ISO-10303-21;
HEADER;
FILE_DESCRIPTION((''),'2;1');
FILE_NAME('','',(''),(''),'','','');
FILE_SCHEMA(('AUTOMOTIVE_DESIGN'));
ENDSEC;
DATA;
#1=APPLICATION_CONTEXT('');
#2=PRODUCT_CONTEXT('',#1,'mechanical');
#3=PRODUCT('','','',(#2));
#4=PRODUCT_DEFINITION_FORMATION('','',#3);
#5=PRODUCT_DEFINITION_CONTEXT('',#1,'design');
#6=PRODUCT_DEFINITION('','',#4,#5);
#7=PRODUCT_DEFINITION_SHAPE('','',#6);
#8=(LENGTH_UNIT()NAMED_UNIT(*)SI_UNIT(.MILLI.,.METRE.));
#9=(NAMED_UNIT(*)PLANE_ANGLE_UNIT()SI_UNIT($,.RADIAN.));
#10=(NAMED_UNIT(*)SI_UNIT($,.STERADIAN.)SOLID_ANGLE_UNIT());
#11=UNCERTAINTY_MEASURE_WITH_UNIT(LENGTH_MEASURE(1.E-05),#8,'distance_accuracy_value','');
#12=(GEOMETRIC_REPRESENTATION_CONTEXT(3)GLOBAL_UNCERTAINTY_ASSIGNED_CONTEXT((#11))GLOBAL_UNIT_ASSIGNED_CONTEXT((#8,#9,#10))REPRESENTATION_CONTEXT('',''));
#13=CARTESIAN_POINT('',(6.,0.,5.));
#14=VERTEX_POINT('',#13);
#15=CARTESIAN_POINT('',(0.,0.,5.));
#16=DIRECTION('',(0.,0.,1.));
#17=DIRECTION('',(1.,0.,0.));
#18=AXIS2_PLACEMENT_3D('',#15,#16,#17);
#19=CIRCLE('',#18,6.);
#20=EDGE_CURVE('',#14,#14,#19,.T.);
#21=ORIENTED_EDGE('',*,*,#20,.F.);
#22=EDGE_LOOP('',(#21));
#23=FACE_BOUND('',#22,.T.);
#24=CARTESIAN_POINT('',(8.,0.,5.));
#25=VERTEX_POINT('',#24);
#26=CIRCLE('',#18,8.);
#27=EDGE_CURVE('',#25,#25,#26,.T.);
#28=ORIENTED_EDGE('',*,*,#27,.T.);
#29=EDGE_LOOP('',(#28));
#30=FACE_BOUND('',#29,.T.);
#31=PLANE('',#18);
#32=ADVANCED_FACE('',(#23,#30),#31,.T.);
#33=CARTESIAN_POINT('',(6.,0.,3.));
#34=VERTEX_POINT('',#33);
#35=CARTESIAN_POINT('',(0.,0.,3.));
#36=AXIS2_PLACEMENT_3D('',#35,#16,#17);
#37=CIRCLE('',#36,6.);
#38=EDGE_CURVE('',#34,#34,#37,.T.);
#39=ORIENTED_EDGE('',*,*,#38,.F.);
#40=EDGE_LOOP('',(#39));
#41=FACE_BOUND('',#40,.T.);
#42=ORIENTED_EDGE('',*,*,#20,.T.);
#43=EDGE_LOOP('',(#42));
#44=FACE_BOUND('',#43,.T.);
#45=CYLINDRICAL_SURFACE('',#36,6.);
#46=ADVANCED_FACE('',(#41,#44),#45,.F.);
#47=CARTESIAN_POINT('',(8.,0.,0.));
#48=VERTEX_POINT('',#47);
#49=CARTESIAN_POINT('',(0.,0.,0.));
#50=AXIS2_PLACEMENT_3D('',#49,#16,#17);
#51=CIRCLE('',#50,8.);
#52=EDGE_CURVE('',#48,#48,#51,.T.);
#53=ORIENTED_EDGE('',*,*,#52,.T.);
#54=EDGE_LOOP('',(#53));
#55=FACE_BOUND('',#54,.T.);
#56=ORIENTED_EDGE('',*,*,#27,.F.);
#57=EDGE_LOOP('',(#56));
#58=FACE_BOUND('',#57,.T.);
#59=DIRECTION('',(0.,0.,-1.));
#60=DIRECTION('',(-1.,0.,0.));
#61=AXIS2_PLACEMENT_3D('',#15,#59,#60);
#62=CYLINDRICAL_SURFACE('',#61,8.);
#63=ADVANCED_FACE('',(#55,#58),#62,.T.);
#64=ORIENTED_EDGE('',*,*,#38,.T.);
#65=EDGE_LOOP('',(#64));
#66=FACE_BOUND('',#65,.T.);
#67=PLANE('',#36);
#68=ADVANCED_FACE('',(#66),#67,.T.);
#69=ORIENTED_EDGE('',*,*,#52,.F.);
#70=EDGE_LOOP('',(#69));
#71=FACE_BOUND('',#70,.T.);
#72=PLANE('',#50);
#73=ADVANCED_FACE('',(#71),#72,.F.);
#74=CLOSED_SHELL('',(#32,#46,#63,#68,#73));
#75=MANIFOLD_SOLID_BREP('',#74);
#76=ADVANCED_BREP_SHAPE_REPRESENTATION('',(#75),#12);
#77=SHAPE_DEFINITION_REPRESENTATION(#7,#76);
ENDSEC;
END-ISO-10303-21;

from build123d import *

# Parameters (mm, degrees)
SKETCH_1_R          = 8
EXTRUDE_1_DEPTH     = 5
SKETCH_2_R          = 6
CUT_EXTRUDE_1_DEPTH = 2


with BuildPart() as part:
    # Эскиз1 → Бобышка-Вытянуть1 (new body)
    with BuildSketch(Plane.XY):
        Circle(SKETCH_1_R)
    extrude(amount=EXTRUDE_1_DEPTH)

    # Эскиз2 → Вырез-Вытянуть1 (cut)
    with BuildSketch(Plane.XY.offset(5)):
        Circle(SKETCH_2_R)
    extrude(amount=-CUT_EXTRUDE_1_DEPTH, mode=Mode.SUBTRACT)


solid = part.part
